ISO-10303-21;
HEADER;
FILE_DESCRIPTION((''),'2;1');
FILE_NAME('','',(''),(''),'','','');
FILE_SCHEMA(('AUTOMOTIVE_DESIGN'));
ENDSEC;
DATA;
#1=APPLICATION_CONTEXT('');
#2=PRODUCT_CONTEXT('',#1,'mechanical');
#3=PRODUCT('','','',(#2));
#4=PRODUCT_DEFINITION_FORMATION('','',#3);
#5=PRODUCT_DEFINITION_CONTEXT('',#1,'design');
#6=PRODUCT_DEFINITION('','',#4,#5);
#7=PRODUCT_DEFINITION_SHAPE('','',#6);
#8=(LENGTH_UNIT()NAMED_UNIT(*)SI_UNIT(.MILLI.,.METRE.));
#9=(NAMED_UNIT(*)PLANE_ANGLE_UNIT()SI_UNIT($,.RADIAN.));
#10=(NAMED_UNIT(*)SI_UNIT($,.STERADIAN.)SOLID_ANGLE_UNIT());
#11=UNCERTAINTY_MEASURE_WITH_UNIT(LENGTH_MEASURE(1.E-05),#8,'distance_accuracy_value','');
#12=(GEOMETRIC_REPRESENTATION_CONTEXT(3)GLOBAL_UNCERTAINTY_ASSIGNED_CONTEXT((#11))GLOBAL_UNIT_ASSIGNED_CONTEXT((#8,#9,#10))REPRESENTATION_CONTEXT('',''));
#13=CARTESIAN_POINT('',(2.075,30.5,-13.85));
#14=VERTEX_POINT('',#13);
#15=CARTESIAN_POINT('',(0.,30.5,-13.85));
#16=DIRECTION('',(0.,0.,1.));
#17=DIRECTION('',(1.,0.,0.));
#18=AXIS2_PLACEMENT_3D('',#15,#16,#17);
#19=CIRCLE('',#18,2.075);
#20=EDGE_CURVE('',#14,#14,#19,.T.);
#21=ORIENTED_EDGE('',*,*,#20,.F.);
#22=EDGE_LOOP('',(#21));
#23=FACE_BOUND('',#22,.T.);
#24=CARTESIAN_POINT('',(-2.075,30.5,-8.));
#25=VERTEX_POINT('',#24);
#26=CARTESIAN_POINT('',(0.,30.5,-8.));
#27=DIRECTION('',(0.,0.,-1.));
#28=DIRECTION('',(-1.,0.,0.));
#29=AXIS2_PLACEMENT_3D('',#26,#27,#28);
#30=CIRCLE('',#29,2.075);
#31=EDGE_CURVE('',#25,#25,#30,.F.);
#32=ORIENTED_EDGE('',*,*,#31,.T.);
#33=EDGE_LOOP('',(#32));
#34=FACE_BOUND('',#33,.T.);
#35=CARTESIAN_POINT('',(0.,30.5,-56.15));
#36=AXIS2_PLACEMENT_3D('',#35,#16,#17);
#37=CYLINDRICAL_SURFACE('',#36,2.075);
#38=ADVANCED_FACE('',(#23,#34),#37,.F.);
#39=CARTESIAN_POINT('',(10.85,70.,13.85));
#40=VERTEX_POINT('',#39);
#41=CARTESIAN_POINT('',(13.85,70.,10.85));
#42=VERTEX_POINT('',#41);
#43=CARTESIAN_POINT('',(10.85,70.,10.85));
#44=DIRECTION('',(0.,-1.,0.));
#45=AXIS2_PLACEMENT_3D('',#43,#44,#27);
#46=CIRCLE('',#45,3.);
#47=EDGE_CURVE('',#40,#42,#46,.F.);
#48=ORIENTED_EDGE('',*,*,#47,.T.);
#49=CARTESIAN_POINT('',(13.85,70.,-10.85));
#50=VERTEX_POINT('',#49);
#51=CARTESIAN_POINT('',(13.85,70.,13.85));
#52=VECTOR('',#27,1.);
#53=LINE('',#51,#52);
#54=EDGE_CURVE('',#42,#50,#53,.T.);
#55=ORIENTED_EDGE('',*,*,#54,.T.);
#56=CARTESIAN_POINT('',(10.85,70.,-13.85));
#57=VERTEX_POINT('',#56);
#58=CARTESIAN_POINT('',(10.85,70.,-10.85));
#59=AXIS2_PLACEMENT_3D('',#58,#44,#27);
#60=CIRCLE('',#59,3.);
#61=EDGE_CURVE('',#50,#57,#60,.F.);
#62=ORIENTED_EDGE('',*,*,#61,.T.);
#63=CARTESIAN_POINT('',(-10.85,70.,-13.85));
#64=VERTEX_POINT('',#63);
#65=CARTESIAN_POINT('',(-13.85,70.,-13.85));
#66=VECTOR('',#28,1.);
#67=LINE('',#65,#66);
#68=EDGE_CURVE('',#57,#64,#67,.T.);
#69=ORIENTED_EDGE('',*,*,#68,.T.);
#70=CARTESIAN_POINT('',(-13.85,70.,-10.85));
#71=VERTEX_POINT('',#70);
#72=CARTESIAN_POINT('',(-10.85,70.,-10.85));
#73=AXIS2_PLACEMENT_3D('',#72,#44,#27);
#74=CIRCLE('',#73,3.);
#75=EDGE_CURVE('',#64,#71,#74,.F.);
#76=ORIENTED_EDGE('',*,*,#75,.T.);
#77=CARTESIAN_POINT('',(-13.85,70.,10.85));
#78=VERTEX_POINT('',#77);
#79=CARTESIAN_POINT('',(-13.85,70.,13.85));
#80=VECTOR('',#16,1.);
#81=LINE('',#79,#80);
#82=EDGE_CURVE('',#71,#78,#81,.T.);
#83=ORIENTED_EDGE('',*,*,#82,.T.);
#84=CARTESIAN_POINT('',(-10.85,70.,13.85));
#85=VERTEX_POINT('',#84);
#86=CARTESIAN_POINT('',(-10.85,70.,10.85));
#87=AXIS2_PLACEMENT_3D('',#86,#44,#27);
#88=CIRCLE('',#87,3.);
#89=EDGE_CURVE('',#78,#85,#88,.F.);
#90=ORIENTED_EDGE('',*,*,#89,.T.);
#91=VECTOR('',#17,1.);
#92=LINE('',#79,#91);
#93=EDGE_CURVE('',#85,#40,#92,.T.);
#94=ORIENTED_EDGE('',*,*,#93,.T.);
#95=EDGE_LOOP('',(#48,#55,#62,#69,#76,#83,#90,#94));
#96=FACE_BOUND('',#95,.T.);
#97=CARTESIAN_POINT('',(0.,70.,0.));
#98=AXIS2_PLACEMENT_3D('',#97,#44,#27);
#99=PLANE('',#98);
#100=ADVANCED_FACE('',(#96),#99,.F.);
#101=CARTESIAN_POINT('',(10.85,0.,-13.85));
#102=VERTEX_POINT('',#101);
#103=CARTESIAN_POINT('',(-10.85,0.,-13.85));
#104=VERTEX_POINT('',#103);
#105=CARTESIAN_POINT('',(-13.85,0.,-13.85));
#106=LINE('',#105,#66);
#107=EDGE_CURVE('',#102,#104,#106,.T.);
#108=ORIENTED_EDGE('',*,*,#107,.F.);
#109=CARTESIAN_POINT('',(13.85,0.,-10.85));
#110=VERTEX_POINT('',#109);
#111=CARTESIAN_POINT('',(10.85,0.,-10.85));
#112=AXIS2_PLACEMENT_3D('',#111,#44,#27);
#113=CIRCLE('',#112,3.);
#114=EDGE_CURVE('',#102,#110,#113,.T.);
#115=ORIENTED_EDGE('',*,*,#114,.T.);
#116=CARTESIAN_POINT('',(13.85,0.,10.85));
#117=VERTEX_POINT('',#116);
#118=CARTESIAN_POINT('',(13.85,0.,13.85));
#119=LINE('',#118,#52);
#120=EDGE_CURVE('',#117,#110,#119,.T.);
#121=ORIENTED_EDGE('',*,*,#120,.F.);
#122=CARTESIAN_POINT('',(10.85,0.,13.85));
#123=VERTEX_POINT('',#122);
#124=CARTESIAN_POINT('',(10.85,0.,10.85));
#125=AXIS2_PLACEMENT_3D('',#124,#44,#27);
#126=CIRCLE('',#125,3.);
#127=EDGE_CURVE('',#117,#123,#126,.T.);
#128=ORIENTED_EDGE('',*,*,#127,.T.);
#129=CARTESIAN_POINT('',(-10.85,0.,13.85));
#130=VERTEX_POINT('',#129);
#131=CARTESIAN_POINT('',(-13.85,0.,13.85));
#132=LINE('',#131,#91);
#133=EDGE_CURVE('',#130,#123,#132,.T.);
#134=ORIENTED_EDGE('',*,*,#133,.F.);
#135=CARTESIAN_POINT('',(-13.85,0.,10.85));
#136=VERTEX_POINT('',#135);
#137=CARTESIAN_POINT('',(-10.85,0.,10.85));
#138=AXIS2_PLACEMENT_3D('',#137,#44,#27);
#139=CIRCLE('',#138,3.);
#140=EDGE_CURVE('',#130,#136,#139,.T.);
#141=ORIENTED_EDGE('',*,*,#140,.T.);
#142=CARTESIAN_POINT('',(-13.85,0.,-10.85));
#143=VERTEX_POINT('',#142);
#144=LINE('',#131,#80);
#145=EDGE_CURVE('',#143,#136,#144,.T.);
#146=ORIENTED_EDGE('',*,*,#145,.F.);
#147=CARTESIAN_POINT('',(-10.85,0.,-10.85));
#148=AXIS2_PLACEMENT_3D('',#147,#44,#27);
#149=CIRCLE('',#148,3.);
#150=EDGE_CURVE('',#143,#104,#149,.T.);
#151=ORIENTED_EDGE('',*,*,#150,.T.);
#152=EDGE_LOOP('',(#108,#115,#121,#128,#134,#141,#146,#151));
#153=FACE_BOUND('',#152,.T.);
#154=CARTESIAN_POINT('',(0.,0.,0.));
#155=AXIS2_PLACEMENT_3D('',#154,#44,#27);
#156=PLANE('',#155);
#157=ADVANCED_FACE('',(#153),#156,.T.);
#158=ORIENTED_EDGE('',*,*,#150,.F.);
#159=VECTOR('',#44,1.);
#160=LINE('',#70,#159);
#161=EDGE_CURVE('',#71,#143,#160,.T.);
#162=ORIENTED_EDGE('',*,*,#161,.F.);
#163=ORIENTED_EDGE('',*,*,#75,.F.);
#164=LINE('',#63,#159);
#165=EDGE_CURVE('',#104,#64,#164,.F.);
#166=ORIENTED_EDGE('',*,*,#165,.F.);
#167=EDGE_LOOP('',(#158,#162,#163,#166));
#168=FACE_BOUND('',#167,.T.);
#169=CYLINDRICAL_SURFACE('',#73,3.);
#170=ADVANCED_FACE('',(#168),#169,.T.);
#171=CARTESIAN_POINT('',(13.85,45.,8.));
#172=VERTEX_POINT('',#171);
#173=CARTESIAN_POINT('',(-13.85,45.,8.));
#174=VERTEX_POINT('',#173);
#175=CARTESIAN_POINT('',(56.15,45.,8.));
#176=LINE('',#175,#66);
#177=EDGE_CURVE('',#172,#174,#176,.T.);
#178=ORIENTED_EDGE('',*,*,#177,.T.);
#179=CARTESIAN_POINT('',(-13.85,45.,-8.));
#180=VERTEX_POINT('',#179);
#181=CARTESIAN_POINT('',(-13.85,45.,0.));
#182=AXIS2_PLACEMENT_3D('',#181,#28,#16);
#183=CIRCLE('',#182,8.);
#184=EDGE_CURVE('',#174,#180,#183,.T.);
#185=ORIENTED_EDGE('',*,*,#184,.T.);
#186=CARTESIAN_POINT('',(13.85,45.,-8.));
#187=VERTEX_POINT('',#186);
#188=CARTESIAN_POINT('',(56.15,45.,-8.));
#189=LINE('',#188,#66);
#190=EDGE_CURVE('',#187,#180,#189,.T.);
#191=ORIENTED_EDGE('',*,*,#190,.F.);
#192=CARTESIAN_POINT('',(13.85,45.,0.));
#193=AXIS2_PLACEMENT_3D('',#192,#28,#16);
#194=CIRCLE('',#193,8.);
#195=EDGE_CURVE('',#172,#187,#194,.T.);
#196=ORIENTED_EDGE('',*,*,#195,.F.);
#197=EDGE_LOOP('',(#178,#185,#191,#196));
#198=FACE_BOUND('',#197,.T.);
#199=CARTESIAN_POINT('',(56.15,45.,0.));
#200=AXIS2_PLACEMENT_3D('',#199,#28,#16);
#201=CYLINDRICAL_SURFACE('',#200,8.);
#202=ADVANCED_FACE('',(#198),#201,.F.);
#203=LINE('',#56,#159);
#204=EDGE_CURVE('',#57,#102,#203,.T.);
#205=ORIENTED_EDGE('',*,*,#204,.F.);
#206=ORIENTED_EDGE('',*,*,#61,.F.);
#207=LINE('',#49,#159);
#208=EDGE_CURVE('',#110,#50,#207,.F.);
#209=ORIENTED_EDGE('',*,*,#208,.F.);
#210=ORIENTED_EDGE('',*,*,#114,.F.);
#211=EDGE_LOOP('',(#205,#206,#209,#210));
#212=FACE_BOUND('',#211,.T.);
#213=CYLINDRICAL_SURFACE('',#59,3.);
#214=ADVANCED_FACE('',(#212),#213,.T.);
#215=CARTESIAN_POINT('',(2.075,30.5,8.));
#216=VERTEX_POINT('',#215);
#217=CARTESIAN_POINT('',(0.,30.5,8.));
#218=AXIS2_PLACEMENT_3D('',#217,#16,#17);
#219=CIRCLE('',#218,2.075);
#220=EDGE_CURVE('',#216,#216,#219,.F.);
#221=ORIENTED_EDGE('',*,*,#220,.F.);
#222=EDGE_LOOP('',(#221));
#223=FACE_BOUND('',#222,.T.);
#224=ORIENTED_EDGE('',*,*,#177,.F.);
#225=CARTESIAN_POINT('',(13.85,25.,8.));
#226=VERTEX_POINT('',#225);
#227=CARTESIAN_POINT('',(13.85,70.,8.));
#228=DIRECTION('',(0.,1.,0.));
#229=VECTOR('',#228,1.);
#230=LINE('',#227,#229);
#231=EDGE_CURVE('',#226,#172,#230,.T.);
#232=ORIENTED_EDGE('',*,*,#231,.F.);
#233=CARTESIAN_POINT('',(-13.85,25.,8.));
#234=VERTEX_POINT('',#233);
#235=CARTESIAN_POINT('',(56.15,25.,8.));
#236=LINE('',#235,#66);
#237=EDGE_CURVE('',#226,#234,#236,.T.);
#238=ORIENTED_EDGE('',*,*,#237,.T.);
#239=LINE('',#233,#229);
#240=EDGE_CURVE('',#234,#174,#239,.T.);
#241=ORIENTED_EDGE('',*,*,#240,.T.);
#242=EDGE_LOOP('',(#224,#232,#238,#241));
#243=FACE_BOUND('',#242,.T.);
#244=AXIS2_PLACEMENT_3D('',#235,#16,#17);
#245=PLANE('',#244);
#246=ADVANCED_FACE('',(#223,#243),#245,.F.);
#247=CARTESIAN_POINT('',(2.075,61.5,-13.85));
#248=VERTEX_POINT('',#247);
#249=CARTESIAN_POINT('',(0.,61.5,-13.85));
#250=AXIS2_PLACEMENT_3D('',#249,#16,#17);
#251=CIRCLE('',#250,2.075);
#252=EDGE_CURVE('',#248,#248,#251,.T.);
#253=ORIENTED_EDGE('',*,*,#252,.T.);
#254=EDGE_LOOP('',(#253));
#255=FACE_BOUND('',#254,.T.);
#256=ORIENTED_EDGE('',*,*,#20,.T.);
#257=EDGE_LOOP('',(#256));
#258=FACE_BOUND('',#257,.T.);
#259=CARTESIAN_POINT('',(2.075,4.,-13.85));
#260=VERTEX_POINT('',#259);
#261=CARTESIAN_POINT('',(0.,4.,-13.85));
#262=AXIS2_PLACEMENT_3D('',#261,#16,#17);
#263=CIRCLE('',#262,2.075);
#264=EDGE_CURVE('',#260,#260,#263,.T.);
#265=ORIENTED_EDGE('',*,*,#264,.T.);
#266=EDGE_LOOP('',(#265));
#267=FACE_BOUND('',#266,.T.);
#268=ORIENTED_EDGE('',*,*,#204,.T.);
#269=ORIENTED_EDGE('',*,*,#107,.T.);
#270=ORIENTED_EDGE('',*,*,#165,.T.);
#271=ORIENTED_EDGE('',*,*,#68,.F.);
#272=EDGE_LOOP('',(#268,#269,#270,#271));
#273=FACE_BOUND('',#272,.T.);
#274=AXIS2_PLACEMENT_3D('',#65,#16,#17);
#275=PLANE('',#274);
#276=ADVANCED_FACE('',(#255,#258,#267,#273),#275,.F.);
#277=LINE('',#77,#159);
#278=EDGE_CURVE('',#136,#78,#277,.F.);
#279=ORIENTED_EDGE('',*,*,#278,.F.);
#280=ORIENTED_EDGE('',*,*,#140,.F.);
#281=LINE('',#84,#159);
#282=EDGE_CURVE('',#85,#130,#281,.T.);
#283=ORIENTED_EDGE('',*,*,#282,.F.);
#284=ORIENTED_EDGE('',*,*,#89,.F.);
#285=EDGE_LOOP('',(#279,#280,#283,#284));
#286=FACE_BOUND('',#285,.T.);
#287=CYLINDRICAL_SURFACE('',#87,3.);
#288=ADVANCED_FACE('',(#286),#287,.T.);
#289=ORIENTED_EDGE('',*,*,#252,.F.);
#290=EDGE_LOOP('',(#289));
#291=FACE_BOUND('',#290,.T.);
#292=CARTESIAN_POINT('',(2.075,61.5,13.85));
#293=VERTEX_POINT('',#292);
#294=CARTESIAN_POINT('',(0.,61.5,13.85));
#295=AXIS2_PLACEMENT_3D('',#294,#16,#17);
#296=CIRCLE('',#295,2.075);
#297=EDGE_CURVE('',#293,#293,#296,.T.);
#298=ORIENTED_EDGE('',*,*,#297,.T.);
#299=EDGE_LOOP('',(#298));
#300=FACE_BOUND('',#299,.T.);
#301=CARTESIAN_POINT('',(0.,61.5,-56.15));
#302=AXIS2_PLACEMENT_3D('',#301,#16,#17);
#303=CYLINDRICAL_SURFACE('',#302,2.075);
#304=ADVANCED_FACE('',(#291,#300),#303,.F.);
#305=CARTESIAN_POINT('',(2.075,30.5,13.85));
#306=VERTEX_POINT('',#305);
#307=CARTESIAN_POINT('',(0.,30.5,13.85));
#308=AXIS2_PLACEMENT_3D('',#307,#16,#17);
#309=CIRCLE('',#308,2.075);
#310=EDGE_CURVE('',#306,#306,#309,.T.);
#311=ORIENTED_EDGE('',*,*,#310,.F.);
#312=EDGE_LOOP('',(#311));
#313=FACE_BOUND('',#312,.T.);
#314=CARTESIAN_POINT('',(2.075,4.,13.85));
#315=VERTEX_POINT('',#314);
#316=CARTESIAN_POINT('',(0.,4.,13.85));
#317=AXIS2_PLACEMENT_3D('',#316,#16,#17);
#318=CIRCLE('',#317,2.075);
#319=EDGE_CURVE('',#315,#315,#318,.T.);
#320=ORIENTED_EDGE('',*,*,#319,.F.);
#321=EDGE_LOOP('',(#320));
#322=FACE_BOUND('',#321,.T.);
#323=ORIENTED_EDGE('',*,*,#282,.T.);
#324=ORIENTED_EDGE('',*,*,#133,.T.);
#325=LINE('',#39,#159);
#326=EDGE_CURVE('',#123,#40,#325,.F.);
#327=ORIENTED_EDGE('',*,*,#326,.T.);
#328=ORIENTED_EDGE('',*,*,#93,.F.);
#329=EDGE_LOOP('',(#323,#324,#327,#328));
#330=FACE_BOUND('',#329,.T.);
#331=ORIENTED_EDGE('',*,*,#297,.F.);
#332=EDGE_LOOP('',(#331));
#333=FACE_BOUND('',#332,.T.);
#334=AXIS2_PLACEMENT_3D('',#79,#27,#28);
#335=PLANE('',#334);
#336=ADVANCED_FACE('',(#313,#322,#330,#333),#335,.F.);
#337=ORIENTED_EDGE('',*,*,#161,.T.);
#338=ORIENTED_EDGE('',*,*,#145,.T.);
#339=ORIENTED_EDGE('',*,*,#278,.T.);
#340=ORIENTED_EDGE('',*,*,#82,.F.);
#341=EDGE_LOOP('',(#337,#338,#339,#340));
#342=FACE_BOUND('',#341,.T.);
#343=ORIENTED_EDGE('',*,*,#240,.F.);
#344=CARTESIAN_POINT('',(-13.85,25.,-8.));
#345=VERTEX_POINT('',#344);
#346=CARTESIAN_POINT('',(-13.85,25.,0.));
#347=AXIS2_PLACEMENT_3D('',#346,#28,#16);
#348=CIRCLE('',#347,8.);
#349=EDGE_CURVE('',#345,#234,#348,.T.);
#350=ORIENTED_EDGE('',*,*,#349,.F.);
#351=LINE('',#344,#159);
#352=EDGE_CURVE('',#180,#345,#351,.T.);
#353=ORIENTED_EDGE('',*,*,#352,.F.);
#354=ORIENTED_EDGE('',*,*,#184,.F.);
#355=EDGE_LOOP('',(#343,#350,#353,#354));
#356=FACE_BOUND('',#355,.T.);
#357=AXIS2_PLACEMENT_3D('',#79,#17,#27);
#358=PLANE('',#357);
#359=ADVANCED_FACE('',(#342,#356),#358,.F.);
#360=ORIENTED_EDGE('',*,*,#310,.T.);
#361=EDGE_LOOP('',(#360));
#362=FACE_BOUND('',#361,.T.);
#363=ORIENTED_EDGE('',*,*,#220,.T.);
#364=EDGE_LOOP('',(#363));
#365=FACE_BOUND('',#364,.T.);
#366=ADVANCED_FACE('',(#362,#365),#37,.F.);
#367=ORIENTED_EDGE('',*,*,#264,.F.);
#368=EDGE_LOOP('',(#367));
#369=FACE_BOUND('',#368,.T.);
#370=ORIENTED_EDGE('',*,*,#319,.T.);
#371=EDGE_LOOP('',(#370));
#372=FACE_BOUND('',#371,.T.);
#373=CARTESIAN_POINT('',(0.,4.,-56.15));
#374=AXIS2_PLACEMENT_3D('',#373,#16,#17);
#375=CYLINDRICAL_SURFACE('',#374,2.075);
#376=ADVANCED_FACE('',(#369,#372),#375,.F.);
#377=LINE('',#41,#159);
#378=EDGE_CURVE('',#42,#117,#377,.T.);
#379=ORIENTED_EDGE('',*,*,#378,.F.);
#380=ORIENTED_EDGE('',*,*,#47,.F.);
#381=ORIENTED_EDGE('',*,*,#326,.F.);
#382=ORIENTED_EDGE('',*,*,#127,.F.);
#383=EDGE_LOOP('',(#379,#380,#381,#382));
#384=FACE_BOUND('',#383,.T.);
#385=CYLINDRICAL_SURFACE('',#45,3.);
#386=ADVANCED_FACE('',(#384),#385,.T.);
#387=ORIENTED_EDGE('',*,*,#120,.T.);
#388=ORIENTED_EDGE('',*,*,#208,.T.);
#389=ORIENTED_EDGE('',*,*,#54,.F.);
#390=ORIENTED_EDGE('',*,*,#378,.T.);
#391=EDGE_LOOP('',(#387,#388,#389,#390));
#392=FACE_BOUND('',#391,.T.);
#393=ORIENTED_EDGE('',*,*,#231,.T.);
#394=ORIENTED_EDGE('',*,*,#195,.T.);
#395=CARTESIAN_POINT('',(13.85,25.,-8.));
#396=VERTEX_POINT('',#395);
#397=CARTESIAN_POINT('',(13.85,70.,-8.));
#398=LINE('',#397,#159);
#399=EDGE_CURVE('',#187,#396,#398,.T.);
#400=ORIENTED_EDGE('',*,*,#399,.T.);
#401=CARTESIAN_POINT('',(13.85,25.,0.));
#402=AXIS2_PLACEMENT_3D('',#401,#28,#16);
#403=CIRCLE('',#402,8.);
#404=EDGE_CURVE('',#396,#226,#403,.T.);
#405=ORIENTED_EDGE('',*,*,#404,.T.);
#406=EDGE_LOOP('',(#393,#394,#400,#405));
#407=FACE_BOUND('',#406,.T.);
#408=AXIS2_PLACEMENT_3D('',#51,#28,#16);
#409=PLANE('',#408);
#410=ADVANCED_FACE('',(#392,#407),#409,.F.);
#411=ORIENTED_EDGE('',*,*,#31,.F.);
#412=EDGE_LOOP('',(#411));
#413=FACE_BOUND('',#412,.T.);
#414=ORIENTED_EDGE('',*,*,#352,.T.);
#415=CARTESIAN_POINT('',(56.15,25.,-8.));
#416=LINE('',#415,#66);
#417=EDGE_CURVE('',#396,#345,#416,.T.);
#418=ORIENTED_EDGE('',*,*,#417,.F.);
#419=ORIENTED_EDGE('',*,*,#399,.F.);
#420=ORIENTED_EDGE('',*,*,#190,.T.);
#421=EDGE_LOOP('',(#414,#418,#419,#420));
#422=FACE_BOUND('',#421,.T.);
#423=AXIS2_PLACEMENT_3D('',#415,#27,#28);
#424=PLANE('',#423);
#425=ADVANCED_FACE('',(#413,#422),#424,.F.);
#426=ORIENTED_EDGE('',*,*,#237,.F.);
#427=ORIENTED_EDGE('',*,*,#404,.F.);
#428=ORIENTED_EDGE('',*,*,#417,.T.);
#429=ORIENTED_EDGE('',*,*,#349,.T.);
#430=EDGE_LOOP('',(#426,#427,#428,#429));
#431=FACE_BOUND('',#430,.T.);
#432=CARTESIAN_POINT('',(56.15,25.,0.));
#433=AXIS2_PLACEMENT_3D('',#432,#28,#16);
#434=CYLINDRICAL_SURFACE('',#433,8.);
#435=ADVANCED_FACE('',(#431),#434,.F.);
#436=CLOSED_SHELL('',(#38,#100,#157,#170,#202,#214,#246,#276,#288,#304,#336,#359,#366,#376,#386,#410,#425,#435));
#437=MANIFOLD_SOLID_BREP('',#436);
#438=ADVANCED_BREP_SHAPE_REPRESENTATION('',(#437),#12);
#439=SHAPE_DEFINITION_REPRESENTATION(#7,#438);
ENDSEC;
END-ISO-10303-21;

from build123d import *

# Parameters (mm, degrees)
SKETCH_1_W          = 27.7
SKETCH_1_H          = 27.7
EXTRUDE_1_DEPTH     = 70
SKETCH_2_R          = 2.075
CUT_EXTRUDE_1_DEPTH = 70
CUT_EXTRUDE_2_DEPTH = 70
FILLET_1_R          = 3


with BuildPart() as part:
    # 草图1 → 凸台-拉伸1 (new body)
    with BuildSketch(Plane(origin=(0, 0, 0), x_dir=(1, 0, 0), z_dir=(0, 1, 0))):
        Rectangle(SKETCH_1_W, SKETCH_1_H)
    extrude(amount=EXTRUDE_1_DEPTH)

    # 草图2 → 切除-拉伸1 (cut)
    with BuildSketch(Plane.XY.offset(13.85)):
        with Locations((0, 4)):
            Circle(SKETCH_2_R)
        with Locations((0, 30.5)):
            Circle(SKETCH_2_R)
        with Locations((0, 61.5)):
            Circle(SKETCH_2_R)
    extrude(amount=-CUT_EXTRUDE_1_DEPTH, mode=Mode.SUBTRACT)

    # 草图3 → 切除-拉伸2 (cut)
    with BuildSketch(Plane.ZY.offset(13.85)):
        with BuildLine():
            Line((-8, 25), (-8, 45))
            ThreePointArc((-8, 45), (0, 53), (8, 45))
            Line((8, 45), (8, 25))
            ThreePointArc((8, 25), (0, 17), (-8, 25))
        make_face()
    extrude(amount=-CUT_EXTRUDE_2_DEPTH, mode=Mode.SUBTRACT)

    # 圆角1
    fillet_1_edges = [part.edges().sort_by_distance(p)[0] for p in [
        (13.85, 35, 13.85),
        (-13.85, 35, 13.85),
        (-13.85, 35, -13.85),
        (13.85, 35, -13.85),
    ]]
    fillet(fillet_1_edges, radius=FILLET_1_R)


solid = part.part
